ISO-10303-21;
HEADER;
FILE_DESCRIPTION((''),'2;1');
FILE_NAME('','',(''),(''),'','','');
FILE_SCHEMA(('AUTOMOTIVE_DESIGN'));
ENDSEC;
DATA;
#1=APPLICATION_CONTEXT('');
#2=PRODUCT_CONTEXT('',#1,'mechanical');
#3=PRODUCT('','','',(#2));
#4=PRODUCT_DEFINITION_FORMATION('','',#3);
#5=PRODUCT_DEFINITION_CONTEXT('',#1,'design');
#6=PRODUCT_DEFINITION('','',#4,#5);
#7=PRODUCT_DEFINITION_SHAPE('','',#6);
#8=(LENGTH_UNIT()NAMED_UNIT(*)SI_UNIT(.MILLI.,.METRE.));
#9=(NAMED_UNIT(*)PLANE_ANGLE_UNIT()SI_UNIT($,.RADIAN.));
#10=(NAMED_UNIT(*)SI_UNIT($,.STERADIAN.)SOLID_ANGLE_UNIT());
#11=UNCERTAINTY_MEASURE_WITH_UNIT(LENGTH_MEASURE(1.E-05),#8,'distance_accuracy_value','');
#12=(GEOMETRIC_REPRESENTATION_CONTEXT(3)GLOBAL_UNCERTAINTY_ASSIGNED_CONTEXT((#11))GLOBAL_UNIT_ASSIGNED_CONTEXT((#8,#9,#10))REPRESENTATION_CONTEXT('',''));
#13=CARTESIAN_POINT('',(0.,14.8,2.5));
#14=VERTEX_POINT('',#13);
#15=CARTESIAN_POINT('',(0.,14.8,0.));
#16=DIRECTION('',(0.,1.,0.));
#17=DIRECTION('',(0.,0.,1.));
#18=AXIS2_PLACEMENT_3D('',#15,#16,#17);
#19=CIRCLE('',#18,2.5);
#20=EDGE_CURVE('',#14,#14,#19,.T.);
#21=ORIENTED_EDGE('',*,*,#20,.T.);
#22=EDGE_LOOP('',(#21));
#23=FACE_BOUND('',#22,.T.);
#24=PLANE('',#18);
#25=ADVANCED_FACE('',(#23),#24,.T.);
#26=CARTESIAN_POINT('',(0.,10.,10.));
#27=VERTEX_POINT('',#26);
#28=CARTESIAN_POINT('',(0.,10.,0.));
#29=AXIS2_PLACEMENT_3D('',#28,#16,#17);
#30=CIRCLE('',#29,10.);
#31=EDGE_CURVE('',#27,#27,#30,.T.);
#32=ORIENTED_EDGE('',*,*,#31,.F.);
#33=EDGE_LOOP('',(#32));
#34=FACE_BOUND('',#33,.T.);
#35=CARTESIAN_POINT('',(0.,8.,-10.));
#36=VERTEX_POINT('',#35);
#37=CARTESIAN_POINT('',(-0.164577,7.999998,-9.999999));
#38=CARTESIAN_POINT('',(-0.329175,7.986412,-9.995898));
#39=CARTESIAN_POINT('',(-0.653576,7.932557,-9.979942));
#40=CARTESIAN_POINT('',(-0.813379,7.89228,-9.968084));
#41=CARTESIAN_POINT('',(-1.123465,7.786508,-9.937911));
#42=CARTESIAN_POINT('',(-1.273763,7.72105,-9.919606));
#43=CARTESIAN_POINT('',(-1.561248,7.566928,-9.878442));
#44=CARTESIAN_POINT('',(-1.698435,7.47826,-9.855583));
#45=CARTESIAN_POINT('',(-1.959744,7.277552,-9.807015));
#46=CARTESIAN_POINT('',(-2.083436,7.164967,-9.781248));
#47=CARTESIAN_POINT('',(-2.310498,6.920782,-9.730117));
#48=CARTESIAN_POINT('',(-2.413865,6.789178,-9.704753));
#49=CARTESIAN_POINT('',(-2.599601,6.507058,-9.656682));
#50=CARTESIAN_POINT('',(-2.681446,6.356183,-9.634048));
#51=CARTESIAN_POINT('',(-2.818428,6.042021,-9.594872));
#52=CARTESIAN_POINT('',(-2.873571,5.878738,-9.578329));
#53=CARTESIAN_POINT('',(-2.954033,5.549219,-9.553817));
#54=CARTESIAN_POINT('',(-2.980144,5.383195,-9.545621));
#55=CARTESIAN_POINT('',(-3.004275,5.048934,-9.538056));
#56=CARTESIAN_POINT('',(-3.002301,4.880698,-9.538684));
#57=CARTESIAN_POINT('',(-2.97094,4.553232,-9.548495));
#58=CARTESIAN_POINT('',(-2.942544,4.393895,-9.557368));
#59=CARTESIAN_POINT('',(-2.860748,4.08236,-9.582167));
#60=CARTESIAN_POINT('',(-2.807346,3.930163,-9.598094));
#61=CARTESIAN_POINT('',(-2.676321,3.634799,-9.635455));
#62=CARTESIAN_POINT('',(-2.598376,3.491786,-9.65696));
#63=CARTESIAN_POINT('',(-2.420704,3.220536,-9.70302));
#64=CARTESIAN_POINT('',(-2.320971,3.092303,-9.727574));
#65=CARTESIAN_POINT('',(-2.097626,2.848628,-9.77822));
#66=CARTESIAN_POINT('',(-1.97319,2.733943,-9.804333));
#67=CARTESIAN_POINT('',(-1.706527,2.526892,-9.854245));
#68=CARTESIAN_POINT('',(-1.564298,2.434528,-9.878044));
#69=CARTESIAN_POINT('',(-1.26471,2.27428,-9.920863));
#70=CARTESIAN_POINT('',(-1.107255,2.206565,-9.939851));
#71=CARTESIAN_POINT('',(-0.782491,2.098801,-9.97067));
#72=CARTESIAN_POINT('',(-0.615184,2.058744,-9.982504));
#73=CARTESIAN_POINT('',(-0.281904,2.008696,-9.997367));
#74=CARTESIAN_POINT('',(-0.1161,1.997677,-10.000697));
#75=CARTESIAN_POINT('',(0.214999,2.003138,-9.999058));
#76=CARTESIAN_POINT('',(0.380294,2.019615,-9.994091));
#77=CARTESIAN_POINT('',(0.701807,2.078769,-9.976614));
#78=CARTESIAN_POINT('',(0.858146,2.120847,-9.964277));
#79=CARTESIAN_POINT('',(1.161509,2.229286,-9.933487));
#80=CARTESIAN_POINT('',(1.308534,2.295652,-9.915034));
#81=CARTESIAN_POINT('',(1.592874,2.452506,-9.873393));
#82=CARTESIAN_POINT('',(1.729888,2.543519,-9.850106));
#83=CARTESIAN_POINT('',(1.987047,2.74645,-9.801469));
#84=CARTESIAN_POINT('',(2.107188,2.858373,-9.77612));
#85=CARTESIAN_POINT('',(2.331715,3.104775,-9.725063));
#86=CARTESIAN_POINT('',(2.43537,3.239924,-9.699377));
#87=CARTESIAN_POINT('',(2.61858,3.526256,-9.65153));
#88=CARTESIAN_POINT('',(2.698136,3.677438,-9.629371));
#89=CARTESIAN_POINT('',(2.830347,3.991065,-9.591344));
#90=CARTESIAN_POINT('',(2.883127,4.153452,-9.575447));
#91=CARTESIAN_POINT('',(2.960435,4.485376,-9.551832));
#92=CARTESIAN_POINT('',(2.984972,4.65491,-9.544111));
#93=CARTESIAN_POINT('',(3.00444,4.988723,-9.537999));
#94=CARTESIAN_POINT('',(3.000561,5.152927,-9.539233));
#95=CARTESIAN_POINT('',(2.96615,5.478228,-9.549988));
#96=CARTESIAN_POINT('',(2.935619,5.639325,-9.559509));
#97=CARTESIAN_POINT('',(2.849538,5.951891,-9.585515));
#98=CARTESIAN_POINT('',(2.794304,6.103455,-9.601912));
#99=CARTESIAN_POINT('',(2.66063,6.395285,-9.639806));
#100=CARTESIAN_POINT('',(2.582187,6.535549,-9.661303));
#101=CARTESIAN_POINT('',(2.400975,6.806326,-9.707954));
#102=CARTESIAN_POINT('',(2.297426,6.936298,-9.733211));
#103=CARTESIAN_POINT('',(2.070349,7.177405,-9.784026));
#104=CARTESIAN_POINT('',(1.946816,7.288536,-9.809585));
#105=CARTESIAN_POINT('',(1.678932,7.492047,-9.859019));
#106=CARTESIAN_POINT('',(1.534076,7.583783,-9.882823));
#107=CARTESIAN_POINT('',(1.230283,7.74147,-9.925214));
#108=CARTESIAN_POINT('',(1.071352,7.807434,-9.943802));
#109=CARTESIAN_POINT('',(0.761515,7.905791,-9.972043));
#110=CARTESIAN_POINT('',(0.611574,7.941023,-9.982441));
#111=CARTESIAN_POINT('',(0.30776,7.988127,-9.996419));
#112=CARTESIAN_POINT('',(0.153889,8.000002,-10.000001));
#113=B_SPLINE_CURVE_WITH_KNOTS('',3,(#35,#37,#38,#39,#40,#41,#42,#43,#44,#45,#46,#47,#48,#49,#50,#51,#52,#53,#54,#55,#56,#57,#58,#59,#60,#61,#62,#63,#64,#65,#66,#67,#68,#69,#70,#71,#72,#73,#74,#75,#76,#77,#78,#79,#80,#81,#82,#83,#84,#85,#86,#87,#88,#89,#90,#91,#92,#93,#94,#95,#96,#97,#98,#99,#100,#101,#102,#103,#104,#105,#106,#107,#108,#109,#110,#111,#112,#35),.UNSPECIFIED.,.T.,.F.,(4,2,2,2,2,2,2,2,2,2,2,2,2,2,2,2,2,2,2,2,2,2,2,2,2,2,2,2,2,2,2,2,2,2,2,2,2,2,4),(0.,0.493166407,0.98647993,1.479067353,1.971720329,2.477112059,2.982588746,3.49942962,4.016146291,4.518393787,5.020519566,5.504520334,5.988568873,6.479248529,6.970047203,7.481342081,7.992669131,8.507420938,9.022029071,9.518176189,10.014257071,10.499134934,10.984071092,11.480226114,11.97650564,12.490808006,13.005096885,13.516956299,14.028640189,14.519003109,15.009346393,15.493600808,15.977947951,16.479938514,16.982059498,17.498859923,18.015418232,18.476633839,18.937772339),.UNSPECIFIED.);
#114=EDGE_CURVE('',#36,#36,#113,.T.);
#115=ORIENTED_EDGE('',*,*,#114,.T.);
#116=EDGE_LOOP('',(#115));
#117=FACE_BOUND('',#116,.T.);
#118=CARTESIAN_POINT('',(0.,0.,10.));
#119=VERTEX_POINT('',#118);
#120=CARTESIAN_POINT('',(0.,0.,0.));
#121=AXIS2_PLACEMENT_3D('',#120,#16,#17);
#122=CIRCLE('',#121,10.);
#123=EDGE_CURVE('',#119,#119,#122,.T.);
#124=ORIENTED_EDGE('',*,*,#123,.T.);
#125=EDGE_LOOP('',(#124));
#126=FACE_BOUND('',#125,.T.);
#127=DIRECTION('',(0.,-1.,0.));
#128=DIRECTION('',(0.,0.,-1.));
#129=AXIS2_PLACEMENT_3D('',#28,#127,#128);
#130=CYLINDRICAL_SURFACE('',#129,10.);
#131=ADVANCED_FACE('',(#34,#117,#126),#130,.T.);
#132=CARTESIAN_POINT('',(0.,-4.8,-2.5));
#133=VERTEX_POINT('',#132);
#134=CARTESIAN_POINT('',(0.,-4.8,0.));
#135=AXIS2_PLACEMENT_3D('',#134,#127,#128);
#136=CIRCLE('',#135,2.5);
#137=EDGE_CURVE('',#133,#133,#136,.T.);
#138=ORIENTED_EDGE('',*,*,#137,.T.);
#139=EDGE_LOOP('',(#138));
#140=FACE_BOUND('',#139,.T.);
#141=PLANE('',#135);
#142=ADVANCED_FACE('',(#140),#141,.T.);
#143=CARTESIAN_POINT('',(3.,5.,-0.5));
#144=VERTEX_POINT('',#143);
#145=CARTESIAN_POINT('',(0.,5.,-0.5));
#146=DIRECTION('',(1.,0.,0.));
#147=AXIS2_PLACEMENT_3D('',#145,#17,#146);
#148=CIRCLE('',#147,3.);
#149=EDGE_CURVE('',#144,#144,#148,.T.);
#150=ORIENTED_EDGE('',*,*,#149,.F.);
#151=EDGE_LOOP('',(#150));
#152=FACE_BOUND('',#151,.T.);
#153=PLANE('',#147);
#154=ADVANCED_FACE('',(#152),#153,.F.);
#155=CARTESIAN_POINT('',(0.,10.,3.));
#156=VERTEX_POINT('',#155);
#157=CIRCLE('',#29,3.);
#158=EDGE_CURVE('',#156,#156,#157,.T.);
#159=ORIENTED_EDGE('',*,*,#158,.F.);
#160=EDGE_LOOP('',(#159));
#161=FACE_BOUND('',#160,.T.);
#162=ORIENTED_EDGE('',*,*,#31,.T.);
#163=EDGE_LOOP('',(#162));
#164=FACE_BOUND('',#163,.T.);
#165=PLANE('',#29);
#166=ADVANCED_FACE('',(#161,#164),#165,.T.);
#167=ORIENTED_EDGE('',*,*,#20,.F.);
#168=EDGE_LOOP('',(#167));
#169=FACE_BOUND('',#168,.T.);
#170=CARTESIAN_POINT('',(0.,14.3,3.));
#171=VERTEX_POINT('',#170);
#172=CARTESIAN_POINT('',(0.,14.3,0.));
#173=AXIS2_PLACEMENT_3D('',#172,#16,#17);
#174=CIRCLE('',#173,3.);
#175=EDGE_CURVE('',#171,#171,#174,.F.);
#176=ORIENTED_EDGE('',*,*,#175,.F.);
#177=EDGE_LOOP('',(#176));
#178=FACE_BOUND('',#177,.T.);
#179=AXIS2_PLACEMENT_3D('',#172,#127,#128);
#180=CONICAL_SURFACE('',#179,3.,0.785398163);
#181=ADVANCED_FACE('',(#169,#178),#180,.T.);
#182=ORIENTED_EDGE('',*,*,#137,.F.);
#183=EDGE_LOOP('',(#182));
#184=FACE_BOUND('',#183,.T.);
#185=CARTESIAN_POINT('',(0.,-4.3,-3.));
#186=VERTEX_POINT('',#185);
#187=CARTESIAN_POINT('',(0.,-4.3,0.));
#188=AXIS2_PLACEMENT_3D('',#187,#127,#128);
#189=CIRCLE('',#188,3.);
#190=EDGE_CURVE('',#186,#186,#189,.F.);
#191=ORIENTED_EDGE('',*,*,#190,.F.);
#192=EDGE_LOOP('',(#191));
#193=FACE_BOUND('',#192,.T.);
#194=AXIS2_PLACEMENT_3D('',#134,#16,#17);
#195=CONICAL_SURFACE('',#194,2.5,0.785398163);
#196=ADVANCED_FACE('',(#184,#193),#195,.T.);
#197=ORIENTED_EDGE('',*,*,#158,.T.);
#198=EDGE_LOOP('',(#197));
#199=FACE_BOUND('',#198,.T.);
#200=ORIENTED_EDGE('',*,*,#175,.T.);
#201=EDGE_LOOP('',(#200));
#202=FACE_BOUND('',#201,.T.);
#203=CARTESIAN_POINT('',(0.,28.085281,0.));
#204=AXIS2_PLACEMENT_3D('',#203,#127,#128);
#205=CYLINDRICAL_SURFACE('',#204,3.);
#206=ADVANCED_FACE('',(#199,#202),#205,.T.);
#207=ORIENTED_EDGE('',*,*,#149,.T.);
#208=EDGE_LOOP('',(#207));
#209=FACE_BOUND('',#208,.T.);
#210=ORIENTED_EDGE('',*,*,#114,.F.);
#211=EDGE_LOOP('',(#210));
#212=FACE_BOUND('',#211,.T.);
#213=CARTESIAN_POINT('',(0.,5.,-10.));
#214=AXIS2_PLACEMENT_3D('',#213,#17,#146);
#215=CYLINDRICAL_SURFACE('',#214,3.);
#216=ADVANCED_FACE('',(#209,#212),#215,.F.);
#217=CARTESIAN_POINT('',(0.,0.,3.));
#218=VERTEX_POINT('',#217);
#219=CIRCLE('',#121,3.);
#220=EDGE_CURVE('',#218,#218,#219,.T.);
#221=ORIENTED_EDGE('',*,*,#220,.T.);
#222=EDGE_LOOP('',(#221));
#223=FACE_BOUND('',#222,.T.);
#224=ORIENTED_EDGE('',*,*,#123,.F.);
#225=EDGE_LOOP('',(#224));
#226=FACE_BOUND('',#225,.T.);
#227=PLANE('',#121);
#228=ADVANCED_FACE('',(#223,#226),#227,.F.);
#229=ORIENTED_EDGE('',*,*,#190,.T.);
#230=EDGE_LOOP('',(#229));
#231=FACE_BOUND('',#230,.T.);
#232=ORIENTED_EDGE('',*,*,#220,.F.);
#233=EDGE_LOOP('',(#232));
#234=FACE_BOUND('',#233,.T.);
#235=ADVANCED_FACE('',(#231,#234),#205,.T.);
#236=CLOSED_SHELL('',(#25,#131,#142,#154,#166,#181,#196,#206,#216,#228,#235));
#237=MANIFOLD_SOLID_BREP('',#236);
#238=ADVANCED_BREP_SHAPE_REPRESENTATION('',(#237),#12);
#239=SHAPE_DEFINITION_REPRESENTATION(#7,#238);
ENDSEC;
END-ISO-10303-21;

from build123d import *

# Parameters (mm, degrees)
SCHIZZO1_R                   = 10
ESTRUSIONE_ESTRUSIONE1_DEPTH = 10
ESTRUSIONE_ESTRUSIONE2_START = -14.8
SCHIZZO2_R                   = 3
ESTRUSIONE_ESTRUSIONE2_DEPTH = 19.6
TAGLIO_ESTRUSIONE1_START     = -0.5
SCHIZZO3_R                   = 3
TAGLIO_ESTRUSIONE1_DEPTH     = 9.5
SMUSSO1_SIZE                 = 0.5


with BuildPart() as part:
    # Schizzo1 → Estrusione-Estrusione1 (new body)
    with BuildSketch(Plane(origin=(0, 0, 0), x_dir=(1, 0, 0), z_dir=(0, 1, 0))):
        with Locations(Location((0, 0, 0), (0, 0, 270))):
            Circle(SCHIZZO1_R)
    extrude(amount=ESTRUSIONE_ESTRUSIONE1_DEPTH)

    # Schizzo2 → Estrusione-Estrusione2 (add)
    with BuildSketch(Plane.XZ.offset(ESTRUSIONE_ESTRUSIONE2_START)):
        with Locations(Location((0, 0, 0), (0, 0, 270))):
            Circle(SCHIZZO2_R)
    extrude(amount=ESTRUSIONE_ESTRUSIONE2_DEPTH)

    # Schizzo3 → Taglio-Estrusione1 (cut)
    with BuildSketch(Plane.XY.offset(TAGLIO_ESTRUSIONE1_START)):
        with Locations((0, 5)):
            Circle(SCHIZZO3_R)
    extrude(amount=-TAGLIO_ESTRUSIONE1_DEPTH, mode=Mode.SUBTRACT)

    # Smusso1
    smusso1_edges = [part.edges().sort_by_distance(p)[0] for p in [
        (0, -4.8, 3),
        (0, 14.8, 3),
    ]]
    chamfer(smusso1_edges, length=SMUSSO1_SIZE)


solid = part.part
